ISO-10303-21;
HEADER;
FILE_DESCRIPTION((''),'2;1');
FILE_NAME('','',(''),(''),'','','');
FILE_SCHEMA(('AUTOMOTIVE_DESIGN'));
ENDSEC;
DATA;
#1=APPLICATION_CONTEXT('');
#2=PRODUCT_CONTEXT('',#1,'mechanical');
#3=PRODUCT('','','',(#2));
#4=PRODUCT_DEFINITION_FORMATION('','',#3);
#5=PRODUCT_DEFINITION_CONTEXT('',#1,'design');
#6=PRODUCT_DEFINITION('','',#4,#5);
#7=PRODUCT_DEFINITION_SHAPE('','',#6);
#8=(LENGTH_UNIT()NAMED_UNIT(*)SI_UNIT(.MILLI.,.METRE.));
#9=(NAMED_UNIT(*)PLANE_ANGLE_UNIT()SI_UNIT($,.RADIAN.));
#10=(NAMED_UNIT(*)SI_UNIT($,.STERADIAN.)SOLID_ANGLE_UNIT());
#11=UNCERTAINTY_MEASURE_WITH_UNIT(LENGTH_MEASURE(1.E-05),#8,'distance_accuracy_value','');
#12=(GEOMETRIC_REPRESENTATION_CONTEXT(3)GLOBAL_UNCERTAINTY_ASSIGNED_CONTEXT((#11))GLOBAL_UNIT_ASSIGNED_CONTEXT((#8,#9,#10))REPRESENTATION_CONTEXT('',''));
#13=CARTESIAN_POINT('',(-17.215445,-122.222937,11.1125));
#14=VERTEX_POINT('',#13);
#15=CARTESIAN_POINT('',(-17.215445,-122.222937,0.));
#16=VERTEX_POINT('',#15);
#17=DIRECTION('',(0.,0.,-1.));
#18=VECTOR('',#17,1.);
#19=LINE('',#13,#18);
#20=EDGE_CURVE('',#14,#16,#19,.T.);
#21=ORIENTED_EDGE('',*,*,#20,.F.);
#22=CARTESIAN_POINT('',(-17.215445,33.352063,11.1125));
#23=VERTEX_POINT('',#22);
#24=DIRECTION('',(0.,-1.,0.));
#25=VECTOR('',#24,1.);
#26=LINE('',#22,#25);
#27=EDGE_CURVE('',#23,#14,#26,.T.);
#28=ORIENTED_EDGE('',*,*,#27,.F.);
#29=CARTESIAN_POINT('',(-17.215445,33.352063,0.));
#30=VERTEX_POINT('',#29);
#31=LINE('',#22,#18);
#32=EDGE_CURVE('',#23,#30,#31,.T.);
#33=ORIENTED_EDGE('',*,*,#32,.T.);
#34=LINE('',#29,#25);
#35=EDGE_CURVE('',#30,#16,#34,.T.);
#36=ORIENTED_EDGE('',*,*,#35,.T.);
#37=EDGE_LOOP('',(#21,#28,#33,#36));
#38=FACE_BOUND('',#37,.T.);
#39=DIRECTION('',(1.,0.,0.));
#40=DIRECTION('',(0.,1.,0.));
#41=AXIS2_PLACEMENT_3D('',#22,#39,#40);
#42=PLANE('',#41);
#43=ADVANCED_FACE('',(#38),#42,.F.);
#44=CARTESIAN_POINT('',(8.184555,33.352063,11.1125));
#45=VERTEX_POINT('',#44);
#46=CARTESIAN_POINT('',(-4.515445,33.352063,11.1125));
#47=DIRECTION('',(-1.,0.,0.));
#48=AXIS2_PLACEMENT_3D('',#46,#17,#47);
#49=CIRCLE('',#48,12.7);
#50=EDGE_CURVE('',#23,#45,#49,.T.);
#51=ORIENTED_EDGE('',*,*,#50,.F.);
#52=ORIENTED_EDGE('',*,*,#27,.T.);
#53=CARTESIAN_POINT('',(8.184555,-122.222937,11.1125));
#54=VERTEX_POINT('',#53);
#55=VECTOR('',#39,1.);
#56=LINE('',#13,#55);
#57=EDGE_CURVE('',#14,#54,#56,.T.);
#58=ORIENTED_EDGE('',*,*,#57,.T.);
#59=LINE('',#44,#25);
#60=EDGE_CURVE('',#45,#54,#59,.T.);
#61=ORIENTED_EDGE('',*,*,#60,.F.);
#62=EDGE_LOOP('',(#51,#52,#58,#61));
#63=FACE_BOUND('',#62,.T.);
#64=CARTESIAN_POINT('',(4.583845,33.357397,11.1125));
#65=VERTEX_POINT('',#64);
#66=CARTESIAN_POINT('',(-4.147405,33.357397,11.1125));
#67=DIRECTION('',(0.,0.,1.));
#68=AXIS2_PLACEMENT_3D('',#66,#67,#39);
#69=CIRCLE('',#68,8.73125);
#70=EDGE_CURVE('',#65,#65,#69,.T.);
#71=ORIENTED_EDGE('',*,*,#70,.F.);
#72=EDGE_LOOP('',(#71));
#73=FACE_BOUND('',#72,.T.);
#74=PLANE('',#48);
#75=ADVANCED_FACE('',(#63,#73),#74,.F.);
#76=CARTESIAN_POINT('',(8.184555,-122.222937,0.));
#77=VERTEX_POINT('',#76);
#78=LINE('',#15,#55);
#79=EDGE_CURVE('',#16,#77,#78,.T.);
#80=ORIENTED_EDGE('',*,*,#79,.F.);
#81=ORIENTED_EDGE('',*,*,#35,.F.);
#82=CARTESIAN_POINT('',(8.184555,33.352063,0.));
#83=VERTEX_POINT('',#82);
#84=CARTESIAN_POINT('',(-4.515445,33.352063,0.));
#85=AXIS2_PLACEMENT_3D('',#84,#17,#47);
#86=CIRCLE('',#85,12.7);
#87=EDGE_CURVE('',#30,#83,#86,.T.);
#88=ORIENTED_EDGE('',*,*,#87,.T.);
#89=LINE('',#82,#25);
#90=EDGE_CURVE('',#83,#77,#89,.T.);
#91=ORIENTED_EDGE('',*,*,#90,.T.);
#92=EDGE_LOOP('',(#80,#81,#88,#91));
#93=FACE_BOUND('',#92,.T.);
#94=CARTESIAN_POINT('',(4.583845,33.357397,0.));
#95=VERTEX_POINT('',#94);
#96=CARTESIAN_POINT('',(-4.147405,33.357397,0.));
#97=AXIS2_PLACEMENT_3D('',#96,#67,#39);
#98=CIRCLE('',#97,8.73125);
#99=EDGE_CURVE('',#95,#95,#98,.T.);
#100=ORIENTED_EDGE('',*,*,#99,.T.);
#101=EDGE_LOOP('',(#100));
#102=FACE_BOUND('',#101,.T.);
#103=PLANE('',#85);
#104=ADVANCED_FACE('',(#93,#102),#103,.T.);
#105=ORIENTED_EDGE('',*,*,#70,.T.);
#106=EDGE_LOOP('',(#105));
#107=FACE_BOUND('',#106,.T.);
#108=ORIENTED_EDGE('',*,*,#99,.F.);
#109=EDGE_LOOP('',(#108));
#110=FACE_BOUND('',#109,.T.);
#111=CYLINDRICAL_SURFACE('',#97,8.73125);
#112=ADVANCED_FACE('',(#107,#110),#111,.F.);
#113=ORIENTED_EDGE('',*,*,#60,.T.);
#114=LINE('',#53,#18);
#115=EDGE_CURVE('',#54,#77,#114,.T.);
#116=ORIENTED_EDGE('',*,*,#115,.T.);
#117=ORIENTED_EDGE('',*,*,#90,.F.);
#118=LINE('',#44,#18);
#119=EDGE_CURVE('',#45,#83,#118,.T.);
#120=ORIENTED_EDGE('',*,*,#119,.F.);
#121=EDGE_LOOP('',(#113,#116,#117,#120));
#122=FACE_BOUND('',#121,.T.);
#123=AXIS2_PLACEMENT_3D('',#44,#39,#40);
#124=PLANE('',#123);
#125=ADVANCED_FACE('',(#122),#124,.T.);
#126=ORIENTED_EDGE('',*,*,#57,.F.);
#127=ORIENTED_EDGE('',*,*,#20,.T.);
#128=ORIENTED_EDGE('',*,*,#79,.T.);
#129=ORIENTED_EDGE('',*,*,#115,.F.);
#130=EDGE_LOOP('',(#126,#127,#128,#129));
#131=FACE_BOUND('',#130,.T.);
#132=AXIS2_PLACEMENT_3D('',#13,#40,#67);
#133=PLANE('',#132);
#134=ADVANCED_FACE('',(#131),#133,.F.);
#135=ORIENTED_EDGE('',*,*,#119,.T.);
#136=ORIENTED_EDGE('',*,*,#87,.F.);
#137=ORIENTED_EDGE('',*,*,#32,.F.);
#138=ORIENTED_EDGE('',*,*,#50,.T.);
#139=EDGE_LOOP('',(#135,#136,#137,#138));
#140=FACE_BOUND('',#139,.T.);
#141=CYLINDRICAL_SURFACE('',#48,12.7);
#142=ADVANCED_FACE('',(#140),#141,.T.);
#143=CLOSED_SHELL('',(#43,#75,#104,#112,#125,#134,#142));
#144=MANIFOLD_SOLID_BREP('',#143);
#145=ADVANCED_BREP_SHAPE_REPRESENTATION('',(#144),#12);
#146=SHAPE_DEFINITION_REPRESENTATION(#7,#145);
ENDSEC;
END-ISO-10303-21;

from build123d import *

# Parameters (mm, degrees)
BOSS_EXTRUDE1_DEPTH = 11.1125
SKETCH3_R           = 8.73125
CUT_EXTRUDE1_DEPTH  = 124.928631033


with BuildPart() as part:
    # Sketch1 → Boss-Extrude1 (new body)
    with BuildSketch(Plane.XY):
        with BuildLine():
            Line((-17.21544473, 33.352062725), (-17.21544473, -122.222937275))
            Line((-17.21544473, -122.222937275), (8.18455527, -122.222937275))
            Line((8.18455527, -122.222937275), (8.18455527, 33.352062725))
            ThreePointArc((8.18455527, 33.352062725), (-4.51544473, 46.052062725), (-17.21544473, 33.352062725))
        make_face()
    extrude(amount=BOSS_EXTRUDE1_DEPTH)

    # Sketch3 → Cut-Extrude1 (cut, through all)
    with BuildSketch(Plane.XY.offset(11.1125)):
        with Locations((-4.147405444, 33.357396637)):
            Circle(SKETCH3_R)
    extrude(amount=-CUT_EXTRUDE1_DEPTH, mode=Mode.SUBTRACT)


solid = part.part
